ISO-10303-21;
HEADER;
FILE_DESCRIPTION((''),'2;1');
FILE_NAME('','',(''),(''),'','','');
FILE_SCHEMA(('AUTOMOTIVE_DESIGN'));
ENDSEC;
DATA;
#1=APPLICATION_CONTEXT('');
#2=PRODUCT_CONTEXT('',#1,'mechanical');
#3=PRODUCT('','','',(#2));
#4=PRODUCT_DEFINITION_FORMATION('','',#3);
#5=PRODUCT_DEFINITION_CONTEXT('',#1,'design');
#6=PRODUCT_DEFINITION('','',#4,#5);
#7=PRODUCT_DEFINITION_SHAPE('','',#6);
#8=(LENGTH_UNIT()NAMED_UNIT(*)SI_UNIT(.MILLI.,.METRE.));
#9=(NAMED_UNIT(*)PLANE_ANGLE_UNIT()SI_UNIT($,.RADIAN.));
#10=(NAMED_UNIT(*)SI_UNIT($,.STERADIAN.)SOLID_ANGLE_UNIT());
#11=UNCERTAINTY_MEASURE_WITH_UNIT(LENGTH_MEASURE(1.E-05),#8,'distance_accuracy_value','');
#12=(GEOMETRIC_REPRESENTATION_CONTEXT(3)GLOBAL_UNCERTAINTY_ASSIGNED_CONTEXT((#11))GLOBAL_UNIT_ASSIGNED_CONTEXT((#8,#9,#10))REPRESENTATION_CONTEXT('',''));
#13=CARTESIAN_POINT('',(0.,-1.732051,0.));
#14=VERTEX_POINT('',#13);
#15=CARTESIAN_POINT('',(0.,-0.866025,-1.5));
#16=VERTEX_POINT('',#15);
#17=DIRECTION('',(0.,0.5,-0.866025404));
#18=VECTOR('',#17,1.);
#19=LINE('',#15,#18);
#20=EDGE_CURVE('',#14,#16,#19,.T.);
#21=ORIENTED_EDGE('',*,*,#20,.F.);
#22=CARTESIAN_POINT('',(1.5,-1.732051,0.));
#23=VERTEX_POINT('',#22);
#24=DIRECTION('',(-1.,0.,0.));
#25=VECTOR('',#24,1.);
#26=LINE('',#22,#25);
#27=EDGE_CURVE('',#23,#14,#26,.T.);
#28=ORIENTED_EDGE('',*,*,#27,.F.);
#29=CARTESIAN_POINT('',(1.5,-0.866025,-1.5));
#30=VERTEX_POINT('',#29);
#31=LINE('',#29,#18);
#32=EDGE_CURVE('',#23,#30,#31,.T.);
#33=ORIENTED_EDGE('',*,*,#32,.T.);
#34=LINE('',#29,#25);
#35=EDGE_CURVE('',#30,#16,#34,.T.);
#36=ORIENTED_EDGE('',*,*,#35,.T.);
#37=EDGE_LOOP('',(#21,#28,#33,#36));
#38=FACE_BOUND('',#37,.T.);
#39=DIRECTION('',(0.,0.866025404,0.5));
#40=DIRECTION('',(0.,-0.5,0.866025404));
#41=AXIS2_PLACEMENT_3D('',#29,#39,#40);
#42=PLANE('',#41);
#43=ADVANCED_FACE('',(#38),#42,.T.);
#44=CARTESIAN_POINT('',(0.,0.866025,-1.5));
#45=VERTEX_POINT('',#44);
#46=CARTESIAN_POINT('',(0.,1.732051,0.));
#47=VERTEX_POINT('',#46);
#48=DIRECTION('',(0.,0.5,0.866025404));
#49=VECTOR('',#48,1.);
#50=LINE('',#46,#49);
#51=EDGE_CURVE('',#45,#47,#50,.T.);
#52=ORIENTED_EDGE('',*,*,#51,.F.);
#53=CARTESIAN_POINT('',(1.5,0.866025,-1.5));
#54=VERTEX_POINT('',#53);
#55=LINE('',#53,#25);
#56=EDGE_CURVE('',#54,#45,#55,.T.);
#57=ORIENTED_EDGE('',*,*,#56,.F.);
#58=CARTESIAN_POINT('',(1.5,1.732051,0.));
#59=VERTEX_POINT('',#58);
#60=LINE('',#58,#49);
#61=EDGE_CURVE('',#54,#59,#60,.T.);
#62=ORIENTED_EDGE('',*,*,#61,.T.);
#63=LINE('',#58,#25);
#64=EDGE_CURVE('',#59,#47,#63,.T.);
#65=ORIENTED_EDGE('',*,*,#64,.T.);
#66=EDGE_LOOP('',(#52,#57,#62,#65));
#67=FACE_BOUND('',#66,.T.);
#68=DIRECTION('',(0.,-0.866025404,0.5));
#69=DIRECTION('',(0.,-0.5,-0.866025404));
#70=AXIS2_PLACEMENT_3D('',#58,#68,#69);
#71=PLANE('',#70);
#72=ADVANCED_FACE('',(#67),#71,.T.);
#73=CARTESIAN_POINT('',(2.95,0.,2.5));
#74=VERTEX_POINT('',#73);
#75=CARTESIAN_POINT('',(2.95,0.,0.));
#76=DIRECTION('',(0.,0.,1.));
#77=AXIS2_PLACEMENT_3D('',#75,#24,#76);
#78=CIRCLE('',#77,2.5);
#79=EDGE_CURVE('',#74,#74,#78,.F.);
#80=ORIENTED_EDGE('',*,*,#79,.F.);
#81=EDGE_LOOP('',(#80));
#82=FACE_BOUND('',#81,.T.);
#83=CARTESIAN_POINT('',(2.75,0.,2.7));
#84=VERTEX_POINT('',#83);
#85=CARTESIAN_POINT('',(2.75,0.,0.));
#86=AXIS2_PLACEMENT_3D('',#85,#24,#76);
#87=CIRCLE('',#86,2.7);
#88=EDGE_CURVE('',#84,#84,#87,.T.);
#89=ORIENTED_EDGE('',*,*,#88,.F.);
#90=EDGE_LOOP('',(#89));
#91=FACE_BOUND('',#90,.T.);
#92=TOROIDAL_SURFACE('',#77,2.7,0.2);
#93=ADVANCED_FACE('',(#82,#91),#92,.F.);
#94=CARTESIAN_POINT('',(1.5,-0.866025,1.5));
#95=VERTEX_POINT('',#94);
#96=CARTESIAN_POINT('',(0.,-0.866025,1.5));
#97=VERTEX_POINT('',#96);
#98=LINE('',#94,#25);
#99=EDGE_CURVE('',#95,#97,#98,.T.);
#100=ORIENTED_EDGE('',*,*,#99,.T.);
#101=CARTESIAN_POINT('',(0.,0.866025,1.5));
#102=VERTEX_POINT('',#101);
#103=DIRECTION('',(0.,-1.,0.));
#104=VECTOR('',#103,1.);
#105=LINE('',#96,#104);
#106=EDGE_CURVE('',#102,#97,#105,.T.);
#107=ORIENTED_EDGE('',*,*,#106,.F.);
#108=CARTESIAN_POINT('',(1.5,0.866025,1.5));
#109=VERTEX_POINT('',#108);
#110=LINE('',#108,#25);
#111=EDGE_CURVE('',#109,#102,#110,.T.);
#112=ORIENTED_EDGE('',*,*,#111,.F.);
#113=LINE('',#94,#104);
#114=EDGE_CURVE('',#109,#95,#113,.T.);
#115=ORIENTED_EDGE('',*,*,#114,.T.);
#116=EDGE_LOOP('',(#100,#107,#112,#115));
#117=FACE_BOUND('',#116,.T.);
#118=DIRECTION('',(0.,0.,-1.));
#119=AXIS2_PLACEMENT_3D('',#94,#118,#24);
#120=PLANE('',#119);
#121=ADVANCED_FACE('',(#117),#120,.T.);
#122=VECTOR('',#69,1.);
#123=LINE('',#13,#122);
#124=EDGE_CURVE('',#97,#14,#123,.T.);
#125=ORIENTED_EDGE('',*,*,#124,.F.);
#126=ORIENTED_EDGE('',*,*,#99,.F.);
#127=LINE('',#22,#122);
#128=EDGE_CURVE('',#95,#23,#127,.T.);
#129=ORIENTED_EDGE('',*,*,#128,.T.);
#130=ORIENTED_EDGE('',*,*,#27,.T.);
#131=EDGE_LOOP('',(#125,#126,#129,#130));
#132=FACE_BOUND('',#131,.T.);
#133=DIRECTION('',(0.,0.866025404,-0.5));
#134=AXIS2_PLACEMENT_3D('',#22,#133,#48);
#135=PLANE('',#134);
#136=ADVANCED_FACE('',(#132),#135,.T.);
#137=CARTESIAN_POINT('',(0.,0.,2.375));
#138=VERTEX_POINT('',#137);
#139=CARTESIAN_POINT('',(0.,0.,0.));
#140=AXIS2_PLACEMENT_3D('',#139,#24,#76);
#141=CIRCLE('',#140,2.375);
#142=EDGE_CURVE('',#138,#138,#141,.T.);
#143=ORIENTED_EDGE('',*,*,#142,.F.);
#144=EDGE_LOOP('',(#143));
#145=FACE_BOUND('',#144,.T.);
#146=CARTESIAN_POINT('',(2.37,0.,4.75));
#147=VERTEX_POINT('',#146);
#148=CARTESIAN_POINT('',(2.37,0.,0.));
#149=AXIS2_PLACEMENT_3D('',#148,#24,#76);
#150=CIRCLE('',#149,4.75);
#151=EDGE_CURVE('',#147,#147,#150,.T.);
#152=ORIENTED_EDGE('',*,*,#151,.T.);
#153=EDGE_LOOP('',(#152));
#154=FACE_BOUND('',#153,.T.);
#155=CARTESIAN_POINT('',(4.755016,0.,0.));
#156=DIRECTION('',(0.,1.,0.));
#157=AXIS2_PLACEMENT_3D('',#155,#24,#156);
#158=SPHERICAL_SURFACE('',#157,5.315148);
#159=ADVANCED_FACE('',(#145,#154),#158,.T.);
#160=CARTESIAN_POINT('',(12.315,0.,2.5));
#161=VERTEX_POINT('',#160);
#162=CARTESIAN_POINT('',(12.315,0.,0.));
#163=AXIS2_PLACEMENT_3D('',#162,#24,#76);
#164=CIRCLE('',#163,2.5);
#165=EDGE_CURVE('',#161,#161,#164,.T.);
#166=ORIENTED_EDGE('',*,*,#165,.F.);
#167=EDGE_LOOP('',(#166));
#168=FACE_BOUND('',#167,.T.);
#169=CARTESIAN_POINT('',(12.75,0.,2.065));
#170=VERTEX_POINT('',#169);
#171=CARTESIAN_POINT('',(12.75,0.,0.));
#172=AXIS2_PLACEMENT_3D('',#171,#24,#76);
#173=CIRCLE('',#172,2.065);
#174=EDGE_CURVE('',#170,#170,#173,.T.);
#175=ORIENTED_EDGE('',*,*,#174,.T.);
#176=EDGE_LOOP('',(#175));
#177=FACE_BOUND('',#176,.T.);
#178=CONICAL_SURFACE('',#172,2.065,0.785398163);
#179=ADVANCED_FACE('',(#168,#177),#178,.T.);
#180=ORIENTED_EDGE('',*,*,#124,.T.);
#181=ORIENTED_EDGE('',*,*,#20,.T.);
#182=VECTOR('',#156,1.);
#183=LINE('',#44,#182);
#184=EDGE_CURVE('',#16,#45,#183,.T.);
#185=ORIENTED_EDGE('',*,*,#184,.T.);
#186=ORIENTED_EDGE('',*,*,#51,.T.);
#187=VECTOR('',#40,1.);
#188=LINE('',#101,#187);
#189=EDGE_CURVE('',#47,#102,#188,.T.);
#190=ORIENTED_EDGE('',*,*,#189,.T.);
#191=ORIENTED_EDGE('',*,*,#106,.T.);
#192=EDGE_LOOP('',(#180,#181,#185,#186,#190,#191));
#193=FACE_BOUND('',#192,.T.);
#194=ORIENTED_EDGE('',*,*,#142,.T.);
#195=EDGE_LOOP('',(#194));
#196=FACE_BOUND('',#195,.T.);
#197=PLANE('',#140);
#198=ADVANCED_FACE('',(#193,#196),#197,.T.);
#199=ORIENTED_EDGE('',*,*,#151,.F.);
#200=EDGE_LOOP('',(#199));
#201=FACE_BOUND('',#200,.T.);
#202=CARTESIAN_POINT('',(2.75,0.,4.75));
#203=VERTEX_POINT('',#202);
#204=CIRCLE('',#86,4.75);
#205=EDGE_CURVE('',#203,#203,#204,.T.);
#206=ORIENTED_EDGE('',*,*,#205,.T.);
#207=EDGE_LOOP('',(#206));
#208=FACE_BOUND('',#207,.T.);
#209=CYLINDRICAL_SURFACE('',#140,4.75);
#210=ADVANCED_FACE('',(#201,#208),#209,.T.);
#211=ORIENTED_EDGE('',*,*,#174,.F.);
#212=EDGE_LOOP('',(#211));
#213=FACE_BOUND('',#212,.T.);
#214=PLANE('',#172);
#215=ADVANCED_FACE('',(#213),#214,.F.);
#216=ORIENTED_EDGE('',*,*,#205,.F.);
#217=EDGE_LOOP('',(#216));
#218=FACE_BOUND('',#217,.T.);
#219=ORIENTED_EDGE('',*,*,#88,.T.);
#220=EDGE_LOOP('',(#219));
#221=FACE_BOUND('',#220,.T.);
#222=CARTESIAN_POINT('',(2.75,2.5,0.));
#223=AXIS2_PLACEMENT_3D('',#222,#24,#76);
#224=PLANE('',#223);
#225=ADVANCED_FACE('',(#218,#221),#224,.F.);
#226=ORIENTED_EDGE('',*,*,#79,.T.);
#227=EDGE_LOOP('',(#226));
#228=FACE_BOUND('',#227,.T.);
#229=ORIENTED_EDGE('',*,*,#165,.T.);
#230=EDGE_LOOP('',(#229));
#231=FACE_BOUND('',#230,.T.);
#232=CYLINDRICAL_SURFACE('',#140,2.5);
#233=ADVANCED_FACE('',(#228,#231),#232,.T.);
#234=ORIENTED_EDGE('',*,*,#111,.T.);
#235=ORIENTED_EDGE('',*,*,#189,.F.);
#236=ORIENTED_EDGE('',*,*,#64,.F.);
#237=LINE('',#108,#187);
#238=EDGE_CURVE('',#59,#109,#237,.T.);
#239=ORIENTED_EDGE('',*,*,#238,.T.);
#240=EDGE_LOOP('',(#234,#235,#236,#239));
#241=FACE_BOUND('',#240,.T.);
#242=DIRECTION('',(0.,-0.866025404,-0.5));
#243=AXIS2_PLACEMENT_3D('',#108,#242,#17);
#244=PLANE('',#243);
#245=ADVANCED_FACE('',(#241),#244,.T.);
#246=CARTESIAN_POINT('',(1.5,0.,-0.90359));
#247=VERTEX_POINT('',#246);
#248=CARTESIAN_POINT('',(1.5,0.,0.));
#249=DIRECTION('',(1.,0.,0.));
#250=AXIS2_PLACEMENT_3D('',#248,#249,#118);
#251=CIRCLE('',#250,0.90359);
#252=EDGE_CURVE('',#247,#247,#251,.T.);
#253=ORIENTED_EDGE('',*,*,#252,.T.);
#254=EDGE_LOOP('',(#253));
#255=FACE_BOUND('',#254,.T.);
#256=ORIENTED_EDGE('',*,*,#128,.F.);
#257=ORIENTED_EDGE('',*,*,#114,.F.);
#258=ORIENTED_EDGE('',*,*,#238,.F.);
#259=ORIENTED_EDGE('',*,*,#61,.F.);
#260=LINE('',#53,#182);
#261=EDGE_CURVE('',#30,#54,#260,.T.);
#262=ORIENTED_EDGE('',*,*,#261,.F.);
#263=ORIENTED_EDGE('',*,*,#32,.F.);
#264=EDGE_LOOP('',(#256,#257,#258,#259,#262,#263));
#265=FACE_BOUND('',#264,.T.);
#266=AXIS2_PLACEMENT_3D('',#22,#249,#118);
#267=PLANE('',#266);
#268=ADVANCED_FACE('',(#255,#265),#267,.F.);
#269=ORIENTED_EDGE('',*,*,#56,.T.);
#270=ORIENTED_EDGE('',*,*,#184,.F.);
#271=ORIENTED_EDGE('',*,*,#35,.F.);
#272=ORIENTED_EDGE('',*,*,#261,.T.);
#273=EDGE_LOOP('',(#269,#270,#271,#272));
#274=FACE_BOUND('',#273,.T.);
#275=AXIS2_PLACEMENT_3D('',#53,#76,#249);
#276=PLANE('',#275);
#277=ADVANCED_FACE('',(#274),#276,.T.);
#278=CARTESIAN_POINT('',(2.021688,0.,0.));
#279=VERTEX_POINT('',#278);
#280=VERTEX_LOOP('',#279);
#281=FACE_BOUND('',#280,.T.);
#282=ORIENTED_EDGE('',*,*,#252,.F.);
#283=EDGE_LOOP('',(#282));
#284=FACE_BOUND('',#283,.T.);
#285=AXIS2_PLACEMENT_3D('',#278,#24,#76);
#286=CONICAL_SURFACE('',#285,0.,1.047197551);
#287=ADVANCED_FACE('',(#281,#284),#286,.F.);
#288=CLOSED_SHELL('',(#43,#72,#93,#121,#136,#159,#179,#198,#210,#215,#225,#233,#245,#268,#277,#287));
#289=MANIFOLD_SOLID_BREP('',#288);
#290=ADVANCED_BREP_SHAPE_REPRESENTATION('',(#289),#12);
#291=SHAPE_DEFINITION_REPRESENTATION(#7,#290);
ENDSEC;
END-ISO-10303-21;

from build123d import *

# Parameters (mm, degrees)
FILLET1_R   = 0.2
HEX_2_DEPTH = 1.5


with BuildPart() as part:
    # BodySke → BaseBody (revolve)
    with BuildSketch(Plane.XY):
        with BuildLine():
            Line((12.75, 0), (12.75, 2.065))
            Line((12.75, 2.065), (12.315, 2.5))
            Line((12.315, 2.5), (2.75, 2.5))
            Line((2.75, 2.5), (2.75, 4.75))
            Line((2.75, 4.75), (2.37, 4.75))
            ThreePointArc((2.37, 4.75), (0.992680215, 3.754414901), (0, 2.375))
            Line((0, 2.375), (0, 0))
            Line((0, 0), (12.75, 0))
        make_face()
    revolve(axis=Axis((0, 0, 0), (1, 0, 0)))

    # Fillet1
    fillet1_edges = [part.edges().sort_by_distance(p)[0] for p in [
        (2.75, -2.5, 0),
    ]]
    fillet(fillet1_edges, radius=FILLET1_R)

    # Sketch2 → PreBroach (revolve, cut)
    with BuildSketch(Plane.XY):
        Polygon((0, 1.25), (1.3, 1.25), (2.021687836, 0), (0, 0), align=None)
    revolve(axis=Axis((0, 0, 0), (1, 0, 0)), mode=Mode.SUBTRACT)

    # Sketch3 → Hex 2 (cut)
    with BuildSketch(Plane(origin=(0, 0, 0), x_dir=(0, 0, -1), z_dir=(1, 0, 0))):
        Polygon((-1.5, -0.866025404), (-1.5, 0.866025404), (0, 1.732050808), (1.5, 0.866025404), (1.5, -0.866025404), (0, -1.732050808), align=None)
    extrude(amount=HEX_2_DEPTH, mode=Mode.SUBTRACT)


solid = part.part
